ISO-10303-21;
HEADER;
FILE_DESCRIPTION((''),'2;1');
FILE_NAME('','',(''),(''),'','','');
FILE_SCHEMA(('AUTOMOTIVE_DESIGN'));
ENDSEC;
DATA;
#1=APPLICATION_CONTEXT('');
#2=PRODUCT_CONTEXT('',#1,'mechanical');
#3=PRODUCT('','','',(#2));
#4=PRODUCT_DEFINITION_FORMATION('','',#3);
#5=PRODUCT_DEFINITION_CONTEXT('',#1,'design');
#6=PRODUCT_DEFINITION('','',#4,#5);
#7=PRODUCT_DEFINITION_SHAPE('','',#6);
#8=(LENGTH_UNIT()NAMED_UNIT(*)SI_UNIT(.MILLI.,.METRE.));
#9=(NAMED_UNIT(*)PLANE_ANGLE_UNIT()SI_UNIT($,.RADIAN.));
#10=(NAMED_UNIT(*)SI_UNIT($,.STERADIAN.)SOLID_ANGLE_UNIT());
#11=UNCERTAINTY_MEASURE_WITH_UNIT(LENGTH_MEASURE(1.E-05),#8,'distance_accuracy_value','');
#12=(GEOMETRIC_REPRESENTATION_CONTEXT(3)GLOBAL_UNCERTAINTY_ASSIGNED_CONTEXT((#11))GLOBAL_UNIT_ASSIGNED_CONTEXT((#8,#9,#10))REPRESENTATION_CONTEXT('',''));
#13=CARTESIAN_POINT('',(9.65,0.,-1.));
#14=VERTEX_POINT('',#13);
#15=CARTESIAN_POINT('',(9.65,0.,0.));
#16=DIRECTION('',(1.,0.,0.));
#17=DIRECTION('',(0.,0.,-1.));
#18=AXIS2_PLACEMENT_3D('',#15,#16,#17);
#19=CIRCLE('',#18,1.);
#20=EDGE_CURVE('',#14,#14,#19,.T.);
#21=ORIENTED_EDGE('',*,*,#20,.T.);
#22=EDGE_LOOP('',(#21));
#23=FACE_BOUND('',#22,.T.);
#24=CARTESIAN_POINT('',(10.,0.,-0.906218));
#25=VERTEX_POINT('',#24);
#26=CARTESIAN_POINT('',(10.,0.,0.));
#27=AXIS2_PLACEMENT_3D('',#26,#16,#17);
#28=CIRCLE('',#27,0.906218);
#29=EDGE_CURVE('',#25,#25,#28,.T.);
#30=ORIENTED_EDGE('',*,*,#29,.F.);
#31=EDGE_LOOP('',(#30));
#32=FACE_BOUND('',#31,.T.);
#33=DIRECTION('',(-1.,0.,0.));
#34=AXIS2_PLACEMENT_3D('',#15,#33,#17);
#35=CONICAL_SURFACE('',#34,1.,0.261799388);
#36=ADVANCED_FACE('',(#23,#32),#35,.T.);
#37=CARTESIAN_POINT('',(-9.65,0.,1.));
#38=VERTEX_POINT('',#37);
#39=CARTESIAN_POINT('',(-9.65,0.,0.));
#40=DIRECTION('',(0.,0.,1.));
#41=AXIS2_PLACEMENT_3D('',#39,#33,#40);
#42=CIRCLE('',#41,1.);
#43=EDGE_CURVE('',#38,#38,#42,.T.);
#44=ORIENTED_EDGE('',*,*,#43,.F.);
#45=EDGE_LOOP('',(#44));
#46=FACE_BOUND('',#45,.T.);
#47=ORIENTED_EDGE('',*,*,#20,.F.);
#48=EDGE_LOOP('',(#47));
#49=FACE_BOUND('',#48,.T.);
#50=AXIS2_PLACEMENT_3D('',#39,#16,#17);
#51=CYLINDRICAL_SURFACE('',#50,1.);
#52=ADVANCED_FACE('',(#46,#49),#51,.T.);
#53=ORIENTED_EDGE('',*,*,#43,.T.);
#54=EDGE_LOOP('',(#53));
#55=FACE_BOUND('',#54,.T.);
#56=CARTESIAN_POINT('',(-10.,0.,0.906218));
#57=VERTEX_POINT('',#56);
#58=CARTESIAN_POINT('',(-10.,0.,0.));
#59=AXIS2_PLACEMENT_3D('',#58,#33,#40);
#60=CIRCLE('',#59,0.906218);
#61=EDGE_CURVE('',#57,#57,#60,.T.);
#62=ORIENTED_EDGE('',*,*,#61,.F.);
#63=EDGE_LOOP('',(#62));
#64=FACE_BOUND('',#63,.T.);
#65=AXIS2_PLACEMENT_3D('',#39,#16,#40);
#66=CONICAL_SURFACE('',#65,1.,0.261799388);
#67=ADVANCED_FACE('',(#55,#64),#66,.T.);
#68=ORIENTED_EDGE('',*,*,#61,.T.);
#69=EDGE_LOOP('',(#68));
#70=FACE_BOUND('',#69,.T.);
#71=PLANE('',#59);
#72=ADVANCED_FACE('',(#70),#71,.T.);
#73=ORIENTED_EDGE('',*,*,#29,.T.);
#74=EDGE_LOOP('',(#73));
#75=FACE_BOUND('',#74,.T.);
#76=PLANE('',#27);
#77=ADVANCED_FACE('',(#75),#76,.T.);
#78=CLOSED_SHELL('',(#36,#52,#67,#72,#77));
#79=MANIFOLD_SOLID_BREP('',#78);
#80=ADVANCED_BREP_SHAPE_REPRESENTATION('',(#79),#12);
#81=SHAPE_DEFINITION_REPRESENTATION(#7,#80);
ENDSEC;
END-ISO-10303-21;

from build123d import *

# Parameters (mm, degrees)
EXTRUDE1_DEPTH      = 9.65
EXTRUDE1_DEPTH_BACK = 9.65
SKETCH2_R           = 1
SKETCH3_R           = 1
EXTRUDE2_DEPTH      = 0.35
EXTRUDE2_TAPER      = 15
SKETCH4_R           = 1
EXTRUDE3_DEPTH      = 0.35
EXTRUDE3_TAPER      = 15


with BuildPart() as part:
    # Sketch2 → Extrude1 (new, two sides: drawn at the far end of the back side and taken through both)
    with BuildSketch(Plane(origin=(0, 0, 0), x_dir=(0, 0, -1), z_dir=(1, 0, 0)).offset(-EXTRUDE1_DEPTH_BACK)):
        Circle(SKETCH2_R)
    extrude(amount=EXTRUDE1_DEPTH + EXTRUDE1_DEPTH_BACK)

    # Sketch3 → Extrude2 (add)
    with BuildSketch(Plane(origin=(9.65, 0, 0), x_dir=(0, 0, -1), z_dir=(1, 0, 0))):
        Circle(SKETCH3_R)
    extrude(amount=EXTRUDE2_DEPTH, taper=EXTRUDE2_TAPER)

    # Sketch4 → Extrude3 (add)
    with BuildSketch(Plane.ZY.offset(9.65)):
        with Locations(Location((0, 0, 0), (0, 0, 180))):
            Circle(SKETCH4_R)
    extrude(amount=EXTRUDE3_DEPTH, taper=EXTRUDE3_TAPER)


solid = part.part
